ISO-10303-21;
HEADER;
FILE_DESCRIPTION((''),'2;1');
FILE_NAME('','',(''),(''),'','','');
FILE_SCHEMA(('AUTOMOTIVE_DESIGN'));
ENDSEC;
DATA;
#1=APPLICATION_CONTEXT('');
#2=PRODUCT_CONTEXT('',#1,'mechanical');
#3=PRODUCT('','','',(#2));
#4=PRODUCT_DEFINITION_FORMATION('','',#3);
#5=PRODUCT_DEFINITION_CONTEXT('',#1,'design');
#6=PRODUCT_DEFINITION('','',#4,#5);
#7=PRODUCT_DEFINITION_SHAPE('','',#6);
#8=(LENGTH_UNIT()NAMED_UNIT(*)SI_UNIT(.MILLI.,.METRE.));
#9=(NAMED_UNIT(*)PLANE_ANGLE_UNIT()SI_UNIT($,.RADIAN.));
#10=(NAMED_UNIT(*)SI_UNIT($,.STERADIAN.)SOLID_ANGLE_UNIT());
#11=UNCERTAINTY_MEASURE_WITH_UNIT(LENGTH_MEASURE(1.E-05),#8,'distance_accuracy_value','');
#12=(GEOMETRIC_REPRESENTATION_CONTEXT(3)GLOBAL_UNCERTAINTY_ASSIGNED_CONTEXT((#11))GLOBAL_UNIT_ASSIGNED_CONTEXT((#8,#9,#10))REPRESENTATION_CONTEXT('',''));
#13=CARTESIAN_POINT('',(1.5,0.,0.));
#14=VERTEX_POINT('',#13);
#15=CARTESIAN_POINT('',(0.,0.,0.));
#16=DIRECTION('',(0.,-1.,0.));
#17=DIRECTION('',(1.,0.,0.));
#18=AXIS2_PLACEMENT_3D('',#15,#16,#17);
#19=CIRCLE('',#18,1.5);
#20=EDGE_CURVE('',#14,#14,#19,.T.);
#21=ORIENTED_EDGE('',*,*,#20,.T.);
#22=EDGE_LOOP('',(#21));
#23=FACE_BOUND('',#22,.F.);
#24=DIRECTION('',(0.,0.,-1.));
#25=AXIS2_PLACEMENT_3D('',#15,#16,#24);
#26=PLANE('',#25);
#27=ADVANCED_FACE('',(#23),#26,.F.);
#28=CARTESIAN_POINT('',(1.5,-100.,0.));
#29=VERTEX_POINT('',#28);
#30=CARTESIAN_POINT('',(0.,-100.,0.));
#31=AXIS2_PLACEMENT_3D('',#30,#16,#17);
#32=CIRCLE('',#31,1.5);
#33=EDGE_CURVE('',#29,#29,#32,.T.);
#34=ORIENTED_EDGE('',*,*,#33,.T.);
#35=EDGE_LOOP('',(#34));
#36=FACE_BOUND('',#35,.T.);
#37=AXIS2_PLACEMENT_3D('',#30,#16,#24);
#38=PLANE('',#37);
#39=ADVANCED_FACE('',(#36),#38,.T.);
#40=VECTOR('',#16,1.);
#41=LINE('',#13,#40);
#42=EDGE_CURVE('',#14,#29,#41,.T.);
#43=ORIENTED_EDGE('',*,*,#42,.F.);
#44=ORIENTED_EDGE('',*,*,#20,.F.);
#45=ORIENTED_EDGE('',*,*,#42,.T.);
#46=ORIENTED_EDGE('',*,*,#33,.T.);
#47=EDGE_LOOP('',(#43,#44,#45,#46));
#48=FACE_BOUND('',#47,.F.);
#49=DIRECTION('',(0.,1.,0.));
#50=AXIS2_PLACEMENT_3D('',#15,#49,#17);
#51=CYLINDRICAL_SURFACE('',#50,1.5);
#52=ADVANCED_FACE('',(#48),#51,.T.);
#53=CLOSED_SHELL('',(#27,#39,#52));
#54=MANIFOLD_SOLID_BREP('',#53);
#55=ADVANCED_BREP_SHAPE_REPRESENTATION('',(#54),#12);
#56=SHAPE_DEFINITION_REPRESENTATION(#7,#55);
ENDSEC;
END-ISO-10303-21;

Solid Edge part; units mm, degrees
sketch "Sketch1" plane through (0, 0, 0) normal (0, -1, 0) x (1, 0, 0)
  circle A0 centre (0, 0) radius 1.5
extrude "Protrusion1" add sketch "Sketch1" along normal blind 100
